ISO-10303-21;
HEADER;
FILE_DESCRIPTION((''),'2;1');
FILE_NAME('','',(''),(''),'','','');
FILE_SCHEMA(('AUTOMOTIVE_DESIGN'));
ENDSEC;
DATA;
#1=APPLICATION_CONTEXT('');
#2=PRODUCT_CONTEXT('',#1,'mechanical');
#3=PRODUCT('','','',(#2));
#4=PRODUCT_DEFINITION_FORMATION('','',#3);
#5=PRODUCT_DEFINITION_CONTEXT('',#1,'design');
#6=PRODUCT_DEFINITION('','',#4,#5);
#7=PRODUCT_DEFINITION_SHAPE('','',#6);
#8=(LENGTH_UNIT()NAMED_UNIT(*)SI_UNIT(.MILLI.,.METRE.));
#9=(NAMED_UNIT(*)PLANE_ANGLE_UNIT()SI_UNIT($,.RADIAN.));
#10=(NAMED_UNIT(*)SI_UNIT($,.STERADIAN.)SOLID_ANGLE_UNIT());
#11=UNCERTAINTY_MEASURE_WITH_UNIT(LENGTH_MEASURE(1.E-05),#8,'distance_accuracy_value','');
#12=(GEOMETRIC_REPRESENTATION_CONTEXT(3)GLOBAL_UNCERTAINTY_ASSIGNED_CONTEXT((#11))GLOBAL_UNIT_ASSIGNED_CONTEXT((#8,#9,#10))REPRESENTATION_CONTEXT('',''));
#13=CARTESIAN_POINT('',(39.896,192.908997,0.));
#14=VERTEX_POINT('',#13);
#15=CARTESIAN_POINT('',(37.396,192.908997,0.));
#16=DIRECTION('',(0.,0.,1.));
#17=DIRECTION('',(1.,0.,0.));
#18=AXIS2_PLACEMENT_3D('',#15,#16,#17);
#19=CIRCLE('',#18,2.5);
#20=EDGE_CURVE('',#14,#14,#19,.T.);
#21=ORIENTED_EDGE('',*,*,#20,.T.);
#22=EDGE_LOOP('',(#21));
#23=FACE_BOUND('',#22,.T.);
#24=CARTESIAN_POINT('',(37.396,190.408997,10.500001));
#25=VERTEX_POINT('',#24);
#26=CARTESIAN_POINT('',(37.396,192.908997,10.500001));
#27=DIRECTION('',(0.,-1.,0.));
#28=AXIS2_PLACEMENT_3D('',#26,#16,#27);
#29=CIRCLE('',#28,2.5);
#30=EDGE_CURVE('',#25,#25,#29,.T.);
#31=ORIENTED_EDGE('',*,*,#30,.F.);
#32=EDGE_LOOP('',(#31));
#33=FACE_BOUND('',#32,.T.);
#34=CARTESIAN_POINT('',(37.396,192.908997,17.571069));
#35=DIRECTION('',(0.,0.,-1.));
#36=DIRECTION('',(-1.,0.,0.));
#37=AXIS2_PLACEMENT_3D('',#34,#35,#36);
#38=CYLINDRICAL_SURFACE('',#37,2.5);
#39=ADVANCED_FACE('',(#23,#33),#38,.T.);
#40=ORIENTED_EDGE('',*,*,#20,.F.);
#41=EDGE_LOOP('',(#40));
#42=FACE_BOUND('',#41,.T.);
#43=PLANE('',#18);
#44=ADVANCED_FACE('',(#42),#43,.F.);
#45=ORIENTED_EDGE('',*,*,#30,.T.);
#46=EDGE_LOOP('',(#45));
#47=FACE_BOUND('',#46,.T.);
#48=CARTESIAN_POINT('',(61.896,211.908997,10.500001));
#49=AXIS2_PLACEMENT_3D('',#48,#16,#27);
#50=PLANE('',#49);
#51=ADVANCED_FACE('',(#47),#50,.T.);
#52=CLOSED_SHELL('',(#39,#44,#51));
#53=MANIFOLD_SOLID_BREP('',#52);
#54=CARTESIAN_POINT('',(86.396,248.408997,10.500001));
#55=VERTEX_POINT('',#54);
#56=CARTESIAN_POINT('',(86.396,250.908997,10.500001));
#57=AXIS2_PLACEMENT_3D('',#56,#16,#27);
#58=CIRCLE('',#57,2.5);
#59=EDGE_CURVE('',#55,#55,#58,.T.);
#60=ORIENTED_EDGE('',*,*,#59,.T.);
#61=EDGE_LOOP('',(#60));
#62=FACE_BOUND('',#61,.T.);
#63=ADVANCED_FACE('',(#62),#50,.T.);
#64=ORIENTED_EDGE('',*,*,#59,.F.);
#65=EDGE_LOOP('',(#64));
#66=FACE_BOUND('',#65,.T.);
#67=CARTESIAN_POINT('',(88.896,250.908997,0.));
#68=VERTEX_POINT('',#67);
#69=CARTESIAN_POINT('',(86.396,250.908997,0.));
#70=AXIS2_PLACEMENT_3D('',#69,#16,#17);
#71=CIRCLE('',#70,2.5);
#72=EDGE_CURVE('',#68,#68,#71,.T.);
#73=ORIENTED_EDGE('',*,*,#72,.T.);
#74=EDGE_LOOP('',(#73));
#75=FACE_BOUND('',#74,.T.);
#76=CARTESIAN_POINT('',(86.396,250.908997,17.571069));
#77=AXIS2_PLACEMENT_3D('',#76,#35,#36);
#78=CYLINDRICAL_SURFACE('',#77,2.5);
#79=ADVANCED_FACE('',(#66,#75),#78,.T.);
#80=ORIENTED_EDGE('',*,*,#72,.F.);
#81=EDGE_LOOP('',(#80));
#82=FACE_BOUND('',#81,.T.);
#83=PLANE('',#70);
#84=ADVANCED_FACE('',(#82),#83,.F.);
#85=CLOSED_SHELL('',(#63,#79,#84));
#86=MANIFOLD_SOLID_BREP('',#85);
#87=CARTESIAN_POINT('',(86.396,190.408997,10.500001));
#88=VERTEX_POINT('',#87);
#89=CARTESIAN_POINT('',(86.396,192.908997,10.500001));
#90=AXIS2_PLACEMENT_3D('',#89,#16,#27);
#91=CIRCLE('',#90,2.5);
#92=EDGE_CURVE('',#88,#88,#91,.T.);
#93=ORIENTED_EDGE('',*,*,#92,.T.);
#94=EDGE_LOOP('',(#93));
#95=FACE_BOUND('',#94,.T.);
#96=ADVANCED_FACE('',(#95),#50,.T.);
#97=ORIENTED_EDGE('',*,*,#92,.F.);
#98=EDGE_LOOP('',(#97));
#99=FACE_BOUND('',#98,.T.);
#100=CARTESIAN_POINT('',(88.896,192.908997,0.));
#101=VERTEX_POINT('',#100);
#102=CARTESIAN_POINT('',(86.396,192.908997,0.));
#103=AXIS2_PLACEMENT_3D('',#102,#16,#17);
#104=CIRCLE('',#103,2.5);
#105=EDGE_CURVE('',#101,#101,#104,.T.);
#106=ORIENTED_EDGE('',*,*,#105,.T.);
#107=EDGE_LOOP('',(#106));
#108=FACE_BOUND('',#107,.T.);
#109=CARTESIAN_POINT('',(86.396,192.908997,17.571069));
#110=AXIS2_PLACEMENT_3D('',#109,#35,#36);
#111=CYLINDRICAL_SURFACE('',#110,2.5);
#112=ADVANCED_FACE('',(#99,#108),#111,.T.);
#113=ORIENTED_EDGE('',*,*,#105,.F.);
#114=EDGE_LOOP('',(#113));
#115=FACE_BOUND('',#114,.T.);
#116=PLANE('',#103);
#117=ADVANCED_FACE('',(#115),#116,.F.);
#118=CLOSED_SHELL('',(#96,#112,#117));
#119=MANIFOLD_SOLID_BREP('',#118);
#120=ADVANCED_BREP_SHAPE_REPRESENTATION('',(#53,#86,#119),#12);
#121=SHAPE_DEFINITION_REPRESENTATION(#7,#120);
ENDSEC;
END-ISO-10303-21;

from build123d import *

# Parameters (mm, degrees)
SKETCH1_R             = 2.5
BOSS_EXTRUDE1_DEPTH   = 10.500000794
BOSS_EXTRUDE1_2_DEPTH = 10.500000794
BOSS_EXTRUDE1_3_DEPTH = 10.500000794


with BuildPart() as part:
    # Sketch1 → Boss-Extrude1 (new body)
    with BuildSketch(Plane.XY):
        with Locations(Location((37.395999908, 192.908996582, 0), (0, 0, 270))):
            Circle(SKETCH1_R)
    extrude(amount=BOSS_EXTRUDE1_DEPTH)


with BuildPart() as body_2:
    # Sketch1 → Boss-Extrude1 2 (new body)
    with BuildSketch(Plane.XY):
        with Locations(Location((86.395999908, 192.908996582, 0), (0, 0, 270))):
            Circle(SKETCH1_R)
    extrude(amount=BOSS_EXTRUDE1_2_DEPTH)


with BuildPart() as body_3:
    # Sketch1 → Boss-Extrude1 3 (new body)
    with BuildSketch(Plane.XY):
        with Locations(Location((86.395999908, 250.908996582, 0), (0, 0, 270))):
            Circle(SKETCH1_R)
    extrude(amount=BOSS_EXTRUDE1_3_DEPTH)


solid = Compound([part.part, body_2.part, body_3.part])
